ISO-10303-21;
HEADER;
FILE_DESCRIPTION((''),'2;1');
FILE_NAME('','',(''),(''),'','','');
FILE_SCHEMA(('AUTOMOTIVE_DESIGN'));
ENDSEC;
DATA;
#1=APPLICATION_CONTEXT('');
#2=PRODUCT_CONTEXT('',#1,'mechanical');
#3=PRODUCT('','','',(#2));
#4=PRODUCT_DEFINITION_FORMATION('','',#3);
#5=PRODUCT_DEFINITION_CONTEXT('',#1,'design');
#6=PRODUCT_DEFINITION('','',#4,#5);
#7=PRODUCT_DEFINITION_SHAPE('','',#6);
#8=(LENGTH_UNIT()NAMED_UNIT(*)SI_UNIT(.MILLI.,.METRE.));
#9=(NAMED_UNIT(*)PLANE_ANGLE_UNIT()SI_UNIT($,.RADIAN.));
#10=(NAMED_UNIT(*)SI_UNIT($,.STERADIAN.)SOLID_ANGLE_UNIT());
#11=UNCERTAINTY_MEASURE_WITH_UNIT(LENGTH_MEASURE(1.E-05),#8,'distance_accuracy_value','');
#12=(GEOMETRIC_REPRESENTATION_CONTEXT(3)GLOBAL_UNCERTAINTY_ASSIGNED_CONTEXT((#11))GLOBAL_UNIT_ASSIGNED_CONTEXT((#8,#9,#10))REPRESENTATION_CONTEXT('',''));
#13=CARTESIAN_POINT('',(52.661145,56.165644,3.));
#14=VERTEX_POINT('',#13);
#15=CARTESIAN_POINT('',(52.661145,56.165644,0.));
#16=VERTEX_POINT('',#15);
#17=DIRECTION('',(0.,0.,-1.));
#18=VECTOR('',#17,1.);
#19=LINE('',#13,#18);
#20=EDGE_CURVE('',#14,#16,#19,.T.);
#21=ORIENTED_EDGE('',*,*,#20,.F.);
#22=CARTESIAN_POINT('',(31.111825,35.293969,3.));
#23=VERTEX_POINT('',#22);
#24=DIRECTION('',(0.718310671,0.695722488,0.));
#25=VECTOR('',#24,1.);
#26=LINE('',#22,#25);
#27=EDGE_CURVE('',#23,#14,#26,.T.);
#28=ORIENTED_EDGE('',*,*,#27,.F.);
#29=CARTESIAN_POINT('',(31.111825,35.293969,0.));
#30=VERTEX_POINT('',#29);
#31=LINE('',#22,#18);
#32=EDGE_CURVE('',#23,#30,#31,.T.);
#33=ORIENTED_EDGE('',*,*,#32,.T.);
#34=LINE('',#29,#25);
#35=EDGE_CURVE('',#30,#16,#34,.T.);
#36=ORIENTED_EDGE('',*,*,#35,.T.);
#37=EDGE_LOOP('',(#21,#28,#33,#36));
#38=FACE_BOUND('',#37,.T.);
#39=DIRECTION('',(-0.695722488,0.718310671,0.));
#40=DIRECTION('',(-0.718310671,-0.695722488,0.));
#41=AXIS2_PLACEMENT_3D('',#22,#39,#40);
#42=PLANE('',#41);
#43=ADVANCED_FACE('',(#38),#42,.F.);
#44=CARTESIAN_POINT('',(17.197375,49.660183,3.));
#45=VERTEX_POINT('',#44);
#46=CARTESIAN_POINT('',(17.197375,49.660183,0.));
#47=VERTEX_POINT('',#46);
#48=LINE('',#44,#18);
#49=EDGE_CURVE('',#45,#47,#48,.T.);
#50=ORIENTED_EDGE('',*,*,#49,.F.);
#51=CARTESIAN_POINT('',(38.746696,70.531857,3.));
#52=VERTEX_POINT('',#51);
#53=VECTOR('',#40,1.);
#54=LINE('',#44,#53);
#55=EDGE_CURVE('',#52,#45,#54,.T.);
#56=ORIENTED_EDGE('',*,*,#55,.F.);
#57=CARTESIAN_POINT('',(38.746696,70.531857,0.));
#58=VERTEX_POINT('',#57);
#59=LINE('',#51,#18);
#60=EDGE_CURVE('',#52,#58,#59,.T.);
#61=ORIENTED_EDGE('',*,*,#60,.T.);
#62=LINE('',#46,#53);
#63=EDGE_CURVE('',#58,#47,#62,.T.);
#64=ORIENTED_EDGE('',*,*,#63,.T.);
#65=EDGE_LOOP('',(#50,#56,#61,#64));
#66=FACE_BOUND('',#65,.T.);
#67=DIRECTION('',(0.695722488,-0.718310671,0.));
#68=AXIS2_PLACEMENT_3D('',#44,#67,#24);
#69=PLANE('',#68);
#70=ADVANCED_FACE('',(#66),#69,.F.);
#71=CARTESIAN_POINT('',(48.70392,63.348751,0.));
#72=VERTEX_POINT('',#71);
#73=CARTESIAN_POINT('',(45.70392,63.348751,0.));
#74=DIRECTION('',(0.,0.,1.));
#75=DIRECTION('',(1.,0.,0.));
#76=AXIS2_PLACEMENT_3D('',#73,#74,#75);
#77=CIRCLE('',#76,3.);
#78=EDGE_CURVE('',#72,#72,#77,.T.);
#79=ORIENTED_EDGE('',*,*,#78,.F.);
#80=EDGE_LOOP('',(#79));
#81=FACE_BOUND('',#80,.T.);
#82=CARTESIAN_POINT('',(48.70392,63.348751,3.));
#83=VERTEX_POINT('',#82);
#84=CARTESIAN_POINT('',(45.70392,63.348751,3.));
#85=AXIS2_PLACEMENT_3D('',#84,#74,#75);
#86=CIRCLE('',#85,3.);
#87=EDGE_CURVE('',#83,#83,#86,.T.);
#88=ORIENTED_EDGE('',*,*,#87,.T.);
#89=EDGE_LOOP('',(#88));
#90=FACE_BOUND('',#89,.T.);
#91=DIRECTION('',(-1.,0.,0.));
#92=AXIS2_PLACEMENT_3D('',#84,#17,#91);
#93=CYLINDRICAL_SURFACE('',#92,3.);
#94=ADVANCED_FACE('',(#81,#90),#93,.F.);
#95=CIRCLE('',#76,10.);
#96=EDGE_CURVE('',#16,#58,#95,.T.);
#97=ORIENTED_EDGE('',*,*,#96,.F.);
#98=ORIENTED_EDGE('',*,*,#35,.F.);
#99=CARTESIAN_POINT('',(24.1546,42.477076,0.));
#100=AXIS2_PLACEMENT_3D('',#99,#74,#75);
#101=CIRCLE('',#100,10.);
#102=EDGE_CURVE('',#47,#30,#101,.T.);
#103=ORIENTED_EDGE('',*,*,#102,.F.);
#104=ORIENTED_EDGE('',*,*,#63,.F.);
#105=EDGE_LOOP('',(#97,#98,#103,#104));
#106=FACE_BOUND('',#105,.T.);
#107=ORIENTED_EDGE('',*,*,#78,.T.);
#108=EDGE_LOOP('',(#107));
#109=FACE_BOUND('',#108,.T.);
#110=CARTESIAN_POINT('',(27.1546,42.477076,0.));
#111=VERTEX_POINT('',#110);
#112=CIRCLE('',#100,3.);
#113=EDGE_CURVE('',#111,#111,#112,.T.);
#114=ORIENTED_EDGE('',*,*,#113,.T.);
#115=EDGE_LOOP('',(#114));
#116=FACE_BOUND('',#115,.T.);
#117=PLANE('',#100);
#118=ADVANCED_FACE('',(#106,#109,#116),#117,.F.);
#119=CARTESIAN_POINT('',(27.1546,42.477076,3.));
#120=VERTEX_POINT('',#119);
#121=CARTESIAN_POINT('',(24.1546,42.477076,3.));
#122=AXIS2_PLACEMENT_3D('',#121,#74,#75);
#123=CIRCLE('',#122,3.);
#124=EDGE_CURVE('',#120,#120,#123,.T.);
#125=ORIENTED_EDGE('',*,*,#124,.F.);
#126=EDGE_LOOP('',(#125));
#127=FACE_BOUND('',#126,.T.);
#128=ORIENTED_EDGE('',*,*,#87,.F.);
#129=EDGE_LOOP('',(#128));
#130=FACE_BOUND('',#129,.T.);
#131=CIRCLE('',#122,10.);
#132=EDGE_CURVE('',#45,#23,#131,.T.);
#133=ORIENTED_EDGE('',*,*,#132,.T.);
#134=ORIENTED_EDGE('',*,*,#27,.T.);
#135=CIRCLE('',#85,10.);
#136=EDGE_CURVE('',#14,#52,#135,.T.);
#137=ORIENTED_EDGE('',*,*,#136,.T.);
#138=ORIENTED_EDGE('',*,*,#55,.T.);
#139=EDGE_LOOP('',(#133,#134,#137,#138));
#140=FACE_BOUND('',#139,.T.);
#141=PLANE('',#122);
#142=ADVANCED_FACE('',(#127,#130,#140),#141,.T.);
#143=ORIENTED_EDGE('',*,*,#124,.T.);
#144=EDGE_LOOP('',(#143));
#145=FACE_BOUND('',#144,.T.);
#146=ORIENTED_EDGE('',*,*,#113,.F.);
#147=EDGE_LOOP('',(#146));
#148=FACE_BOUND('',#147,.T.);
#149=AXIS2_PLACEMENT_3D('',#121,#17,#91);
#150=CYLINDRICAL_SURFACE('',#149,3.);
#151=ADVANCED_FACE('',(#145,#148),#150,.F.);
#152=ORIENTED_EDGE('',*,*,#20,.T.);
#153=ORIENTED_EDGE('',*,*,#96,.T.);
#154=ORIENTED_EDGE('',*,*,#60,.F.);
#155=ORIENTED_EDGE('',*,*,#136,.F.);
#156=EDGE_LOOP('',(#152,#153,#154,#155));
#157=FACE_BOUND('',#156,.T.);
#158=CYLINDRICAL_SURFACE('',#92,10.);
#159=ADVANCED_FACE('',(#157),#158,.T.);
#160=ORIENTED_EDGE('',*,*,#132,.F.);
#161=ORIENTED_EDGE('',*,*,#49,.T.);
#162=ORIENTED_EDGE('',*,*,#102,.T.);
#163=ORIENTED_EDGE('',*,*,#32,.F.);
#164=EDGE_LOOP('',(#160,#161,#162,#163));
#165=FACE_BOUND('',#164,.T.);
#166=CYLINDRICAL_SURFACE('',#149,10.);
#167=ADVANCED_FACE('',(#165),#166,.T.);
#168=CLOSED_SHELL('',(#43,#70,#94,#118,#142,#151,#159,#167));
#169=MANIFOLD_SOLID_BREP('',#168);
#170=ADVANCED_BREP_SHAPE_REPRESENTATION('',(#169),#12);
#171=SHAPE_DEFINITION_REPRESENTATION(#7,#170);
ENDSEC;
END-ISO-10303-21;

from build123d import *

# Parameters (mm, degrees)
SKETCH1_R           = 3
BOSS_EXTRUDE1_DEPTH = 3


with BuildPart() as part:
    # Sketch1 → Boss-Extrude1 (new body)
    with BuildSketch(Plane.XY):
        with BuildLine():
            Line((31.11182518, 35.293969223), (52.661145296, 56.165643869))
            ThreePointArc((52.661145296, 56.165643869), (52.887027119, 70.305975457), (38.746695531, 70.53185728))
            Line((38.746695531, 70.53185728), (17.197375416, 49.660182633))
            ThreePointArc((17.197375416, 49.660182633), (16.971493592, 35.519851046), (31.11182518, 35.293969223))
        make_face()
        with Locations((24.154600298, 42.477075928)):
            Circle(SKETCH1_R, mode=Mode.SUBTRACT)
        with Locations((45.703920413, 63.348750575)):
            Circle(SKETCH1_R, mode=Mode.SUBTRACT)
    extrude(amount=BOSS_EXTRUDE1_DEPTH)


solid = part.part
